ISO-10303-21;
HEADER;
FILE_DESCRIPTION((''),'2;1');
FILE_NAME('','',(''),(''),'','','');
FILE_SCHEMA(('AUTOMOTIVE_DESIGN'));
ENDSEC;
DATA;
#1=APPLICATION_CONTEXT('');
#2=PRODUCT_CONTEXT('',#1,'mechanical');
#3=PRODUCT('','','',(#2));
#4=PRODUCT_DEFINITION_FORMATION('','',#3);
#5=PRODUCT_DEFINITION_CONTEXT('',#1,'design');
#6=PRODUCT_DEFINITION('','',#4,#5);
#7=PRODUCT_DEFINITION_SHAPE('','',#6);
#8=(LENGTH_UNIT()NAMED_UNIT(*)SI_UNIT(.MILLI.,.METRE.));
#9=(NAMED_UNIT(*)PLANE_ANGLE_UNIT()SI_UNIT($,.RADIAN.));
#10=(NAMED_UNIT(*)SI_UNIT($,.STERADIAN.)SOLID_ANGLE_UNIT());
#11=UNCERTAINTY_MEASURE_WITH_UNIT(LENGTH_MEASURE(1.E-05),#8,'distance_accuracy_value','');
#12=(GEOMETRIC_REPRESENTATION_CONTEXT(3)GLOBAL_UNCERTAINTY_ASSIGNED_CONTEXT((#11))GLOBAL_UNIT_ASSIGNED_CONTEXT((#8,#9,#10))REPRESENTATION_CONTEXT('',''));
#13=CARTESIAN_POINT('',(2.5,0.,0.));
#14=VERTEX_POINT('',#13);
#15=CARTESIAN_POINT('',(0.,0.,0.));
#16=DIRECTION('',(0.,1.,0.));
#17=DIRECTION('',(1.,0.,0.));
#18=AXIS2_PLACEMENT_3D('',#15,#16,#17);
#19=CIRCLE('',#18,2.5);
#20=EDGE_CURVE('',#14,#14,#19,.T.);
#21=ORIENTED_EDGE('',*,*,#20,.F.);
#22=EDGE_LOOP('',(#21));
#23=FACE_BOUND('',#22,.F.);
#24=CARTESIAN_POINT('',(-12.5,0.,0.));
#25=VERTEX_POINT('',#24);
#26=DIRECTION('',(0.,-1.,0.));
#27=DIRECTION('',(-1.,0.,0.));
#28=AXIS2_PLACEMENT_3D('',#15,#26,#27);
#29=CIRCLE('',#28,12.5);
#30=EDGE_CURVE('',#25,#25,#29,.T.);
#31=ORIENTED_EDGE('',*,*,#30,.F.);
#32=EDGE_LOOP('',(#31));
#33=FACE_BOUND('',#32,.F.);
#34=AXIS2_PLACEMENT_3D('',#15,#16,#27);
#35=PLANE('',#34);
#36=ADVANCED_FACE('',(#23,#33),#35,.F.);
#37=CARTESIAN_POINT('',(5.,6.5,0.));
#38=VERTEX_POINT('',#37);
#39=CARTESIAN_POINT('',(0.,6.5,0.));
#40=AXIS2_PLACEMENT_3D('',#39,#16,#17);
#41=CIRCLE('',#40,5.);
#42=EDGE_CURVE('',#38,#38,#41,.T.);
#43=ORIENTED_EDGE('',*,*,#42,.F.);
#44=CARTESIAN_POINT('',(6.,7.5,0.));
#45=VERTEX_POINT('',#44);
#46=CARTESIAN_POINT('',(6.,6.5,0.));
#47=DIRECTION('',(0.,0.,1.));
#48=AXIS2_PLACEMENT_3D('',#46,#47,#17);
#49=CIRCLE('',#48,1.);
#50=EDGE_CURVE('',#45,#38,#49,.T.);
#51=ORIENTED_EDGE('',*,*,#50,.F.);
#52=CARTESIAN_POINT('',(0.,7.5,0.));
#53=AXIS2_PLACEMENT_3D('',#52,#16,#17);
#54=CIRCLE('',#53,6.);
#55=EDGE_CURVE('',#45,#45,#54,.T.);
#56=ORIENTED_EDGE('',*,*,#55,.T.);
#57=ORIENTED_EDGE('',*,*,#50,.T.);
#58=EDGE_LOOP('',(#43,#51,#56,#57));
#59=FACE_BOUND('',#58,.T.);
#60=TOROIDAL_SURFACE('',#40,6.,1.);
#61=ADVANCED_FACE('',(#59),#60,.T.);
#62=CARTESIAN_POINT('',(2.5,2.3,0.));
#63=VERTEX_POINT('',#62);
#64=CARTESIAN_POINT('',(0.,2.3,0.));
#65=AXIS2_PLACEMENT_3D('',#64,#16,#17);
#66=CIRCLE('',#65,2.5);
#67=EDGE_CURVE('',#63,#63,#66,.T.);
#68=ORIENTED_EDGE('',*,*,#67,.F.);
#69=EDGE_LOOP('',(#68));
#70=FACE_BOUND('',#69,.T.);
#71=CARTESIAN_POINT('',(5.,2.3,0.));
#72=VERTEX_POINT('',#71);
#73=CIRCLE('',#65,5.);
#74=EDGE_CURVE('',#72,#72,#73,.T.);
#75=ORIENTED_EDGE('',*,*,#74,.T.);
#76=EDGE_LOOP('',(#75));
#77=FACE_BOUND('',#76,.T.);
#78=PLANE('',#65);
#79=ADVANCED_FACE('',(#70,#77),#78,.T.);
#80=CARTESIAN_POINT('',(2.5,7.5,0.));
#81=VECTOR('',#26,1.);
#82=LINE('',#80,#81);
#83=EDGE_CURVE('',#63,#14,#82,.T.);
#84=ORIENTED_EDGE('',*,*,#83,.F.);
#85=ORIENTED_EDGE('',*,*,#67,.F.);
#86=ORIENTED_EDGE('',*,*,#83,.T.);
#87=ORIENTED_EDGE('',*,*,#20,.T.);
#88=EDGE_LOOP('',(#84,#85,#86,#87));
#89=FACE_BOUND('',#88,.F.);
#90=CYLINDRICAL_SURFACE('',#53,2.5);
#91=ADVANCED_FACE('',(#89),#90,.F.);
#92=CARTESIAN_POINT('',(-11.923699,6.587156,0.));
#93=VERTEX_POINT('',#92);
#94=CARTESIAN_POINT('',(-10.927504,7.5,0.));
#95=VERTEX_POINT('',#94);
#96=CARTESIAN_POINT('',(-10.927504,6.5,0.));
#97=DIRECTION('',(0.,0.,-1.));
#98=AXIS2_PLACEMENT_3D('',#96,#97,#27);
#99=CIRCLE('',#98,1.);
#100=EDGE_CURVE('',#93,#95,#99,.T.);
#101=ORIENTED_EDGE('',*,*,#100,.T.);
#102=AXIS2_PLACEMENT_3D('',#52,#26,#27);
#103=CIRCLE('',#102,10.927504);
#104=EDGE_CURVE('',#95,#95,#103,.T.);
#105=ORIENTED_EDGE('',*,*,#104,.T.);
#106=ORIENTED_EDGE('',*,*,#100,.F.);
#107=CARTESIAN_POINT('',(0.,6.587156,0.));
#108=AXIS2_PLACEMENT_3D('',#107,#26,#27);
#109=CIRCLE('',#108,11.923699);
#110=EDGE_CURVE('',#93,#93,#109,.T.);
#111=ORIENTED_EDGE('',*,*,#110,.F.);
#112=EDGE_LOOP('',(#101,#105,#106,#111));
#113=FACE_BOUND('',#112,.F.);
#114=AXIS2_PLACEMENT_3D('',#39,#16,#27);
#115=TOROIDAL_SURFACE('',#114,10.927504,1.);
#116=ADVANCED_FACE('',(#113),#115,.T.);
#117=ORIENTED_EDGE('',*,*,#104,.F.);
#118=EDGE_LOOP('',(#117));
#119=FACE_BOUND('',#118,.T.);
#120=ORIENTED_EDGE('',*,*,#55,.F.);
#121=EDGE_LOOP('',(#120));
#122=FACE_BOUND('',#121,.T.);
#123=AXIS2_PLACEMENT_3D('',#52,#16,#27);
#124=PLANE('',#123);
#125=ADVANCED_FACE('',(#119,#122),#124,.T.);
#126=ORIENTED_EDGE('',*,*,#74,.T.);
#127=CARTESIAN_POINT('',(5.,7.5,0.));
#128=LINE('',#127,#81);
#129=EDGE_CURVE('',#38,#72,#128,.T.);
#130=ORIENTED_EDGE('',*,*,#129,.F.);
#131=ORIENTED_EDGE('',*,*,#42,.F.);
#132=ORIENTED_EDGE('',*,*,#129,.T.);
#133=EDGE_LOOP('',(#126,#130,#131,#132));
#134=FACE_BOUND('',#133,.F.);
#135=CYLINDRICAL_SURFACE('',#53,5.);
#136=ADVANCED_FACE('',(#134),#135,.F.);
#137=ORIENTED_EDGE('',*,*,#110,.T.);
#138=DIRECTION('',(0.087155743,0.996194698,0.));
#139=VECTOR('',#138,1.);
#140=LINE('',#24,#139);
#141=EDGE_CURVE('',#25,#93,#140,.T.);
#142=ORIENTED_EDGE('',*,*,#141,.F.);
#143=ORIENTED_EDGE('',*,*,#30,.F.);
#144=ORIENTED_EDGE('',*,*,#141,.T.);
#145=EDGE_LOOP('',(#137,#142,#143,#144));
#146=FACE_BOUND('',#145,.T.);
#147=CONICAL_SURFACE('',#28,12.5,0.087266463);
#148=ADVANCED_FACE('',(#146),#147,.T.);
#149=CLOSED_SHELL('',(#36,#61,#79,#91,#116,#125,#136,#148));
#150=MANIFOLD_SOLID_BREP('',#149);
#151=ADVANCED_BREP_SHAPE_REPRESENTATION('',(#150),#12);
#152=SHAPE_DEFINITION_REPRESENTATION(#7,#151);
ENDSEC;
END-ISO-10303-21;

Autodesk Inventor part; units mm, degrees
ref_plane "YZ Plane" through (0, 0, 0) normal (1, 0, 0) x (0, 1, 0)
ref_plane "XZ Plane" through (0, 0, 0) normal (0, 1, 0) x (-1, 0, 0)
ref_plane "XY Plane" through (0, 0, 0) normal (0, 0, 1) x (1, 0, 0)
sketch "Boceto1" plane through (0, 0, 0) normal (0, 1, 0) x (-1, 0, 0)
  circle A0 centre (0, 0) radius 12.5
  dimension "d0" = 25
extrude "Extrusión1" add sketch "Boceto1" along normal blind 7.5 draft -5
sketch "Boceto2" plane through (0, 7.5, 0) normal (0, 1, 0) x (1, 0, 0)
  circle A0 centre (0, 0) radius 2.5
  dimension "d3" = 5
extrude "Extrusión2" cut sketch "Boceto2" against normal through all
sketch "Boceto3" plane through (0, 7.5, 0) normal (0, 1, 0) x (1, 0, 0)
  circle A0 centre (0, 0) radius 5
  dimension "d6" = 10
extrude "Extrusión3" cut sketch "Boceto3" against normal blind 5.2
fillet "Empalme1" radius 1 2 edges at (-5, 7.5, 0) (11.8438, 7.5, 0)
properties part number "RubberFoot"
